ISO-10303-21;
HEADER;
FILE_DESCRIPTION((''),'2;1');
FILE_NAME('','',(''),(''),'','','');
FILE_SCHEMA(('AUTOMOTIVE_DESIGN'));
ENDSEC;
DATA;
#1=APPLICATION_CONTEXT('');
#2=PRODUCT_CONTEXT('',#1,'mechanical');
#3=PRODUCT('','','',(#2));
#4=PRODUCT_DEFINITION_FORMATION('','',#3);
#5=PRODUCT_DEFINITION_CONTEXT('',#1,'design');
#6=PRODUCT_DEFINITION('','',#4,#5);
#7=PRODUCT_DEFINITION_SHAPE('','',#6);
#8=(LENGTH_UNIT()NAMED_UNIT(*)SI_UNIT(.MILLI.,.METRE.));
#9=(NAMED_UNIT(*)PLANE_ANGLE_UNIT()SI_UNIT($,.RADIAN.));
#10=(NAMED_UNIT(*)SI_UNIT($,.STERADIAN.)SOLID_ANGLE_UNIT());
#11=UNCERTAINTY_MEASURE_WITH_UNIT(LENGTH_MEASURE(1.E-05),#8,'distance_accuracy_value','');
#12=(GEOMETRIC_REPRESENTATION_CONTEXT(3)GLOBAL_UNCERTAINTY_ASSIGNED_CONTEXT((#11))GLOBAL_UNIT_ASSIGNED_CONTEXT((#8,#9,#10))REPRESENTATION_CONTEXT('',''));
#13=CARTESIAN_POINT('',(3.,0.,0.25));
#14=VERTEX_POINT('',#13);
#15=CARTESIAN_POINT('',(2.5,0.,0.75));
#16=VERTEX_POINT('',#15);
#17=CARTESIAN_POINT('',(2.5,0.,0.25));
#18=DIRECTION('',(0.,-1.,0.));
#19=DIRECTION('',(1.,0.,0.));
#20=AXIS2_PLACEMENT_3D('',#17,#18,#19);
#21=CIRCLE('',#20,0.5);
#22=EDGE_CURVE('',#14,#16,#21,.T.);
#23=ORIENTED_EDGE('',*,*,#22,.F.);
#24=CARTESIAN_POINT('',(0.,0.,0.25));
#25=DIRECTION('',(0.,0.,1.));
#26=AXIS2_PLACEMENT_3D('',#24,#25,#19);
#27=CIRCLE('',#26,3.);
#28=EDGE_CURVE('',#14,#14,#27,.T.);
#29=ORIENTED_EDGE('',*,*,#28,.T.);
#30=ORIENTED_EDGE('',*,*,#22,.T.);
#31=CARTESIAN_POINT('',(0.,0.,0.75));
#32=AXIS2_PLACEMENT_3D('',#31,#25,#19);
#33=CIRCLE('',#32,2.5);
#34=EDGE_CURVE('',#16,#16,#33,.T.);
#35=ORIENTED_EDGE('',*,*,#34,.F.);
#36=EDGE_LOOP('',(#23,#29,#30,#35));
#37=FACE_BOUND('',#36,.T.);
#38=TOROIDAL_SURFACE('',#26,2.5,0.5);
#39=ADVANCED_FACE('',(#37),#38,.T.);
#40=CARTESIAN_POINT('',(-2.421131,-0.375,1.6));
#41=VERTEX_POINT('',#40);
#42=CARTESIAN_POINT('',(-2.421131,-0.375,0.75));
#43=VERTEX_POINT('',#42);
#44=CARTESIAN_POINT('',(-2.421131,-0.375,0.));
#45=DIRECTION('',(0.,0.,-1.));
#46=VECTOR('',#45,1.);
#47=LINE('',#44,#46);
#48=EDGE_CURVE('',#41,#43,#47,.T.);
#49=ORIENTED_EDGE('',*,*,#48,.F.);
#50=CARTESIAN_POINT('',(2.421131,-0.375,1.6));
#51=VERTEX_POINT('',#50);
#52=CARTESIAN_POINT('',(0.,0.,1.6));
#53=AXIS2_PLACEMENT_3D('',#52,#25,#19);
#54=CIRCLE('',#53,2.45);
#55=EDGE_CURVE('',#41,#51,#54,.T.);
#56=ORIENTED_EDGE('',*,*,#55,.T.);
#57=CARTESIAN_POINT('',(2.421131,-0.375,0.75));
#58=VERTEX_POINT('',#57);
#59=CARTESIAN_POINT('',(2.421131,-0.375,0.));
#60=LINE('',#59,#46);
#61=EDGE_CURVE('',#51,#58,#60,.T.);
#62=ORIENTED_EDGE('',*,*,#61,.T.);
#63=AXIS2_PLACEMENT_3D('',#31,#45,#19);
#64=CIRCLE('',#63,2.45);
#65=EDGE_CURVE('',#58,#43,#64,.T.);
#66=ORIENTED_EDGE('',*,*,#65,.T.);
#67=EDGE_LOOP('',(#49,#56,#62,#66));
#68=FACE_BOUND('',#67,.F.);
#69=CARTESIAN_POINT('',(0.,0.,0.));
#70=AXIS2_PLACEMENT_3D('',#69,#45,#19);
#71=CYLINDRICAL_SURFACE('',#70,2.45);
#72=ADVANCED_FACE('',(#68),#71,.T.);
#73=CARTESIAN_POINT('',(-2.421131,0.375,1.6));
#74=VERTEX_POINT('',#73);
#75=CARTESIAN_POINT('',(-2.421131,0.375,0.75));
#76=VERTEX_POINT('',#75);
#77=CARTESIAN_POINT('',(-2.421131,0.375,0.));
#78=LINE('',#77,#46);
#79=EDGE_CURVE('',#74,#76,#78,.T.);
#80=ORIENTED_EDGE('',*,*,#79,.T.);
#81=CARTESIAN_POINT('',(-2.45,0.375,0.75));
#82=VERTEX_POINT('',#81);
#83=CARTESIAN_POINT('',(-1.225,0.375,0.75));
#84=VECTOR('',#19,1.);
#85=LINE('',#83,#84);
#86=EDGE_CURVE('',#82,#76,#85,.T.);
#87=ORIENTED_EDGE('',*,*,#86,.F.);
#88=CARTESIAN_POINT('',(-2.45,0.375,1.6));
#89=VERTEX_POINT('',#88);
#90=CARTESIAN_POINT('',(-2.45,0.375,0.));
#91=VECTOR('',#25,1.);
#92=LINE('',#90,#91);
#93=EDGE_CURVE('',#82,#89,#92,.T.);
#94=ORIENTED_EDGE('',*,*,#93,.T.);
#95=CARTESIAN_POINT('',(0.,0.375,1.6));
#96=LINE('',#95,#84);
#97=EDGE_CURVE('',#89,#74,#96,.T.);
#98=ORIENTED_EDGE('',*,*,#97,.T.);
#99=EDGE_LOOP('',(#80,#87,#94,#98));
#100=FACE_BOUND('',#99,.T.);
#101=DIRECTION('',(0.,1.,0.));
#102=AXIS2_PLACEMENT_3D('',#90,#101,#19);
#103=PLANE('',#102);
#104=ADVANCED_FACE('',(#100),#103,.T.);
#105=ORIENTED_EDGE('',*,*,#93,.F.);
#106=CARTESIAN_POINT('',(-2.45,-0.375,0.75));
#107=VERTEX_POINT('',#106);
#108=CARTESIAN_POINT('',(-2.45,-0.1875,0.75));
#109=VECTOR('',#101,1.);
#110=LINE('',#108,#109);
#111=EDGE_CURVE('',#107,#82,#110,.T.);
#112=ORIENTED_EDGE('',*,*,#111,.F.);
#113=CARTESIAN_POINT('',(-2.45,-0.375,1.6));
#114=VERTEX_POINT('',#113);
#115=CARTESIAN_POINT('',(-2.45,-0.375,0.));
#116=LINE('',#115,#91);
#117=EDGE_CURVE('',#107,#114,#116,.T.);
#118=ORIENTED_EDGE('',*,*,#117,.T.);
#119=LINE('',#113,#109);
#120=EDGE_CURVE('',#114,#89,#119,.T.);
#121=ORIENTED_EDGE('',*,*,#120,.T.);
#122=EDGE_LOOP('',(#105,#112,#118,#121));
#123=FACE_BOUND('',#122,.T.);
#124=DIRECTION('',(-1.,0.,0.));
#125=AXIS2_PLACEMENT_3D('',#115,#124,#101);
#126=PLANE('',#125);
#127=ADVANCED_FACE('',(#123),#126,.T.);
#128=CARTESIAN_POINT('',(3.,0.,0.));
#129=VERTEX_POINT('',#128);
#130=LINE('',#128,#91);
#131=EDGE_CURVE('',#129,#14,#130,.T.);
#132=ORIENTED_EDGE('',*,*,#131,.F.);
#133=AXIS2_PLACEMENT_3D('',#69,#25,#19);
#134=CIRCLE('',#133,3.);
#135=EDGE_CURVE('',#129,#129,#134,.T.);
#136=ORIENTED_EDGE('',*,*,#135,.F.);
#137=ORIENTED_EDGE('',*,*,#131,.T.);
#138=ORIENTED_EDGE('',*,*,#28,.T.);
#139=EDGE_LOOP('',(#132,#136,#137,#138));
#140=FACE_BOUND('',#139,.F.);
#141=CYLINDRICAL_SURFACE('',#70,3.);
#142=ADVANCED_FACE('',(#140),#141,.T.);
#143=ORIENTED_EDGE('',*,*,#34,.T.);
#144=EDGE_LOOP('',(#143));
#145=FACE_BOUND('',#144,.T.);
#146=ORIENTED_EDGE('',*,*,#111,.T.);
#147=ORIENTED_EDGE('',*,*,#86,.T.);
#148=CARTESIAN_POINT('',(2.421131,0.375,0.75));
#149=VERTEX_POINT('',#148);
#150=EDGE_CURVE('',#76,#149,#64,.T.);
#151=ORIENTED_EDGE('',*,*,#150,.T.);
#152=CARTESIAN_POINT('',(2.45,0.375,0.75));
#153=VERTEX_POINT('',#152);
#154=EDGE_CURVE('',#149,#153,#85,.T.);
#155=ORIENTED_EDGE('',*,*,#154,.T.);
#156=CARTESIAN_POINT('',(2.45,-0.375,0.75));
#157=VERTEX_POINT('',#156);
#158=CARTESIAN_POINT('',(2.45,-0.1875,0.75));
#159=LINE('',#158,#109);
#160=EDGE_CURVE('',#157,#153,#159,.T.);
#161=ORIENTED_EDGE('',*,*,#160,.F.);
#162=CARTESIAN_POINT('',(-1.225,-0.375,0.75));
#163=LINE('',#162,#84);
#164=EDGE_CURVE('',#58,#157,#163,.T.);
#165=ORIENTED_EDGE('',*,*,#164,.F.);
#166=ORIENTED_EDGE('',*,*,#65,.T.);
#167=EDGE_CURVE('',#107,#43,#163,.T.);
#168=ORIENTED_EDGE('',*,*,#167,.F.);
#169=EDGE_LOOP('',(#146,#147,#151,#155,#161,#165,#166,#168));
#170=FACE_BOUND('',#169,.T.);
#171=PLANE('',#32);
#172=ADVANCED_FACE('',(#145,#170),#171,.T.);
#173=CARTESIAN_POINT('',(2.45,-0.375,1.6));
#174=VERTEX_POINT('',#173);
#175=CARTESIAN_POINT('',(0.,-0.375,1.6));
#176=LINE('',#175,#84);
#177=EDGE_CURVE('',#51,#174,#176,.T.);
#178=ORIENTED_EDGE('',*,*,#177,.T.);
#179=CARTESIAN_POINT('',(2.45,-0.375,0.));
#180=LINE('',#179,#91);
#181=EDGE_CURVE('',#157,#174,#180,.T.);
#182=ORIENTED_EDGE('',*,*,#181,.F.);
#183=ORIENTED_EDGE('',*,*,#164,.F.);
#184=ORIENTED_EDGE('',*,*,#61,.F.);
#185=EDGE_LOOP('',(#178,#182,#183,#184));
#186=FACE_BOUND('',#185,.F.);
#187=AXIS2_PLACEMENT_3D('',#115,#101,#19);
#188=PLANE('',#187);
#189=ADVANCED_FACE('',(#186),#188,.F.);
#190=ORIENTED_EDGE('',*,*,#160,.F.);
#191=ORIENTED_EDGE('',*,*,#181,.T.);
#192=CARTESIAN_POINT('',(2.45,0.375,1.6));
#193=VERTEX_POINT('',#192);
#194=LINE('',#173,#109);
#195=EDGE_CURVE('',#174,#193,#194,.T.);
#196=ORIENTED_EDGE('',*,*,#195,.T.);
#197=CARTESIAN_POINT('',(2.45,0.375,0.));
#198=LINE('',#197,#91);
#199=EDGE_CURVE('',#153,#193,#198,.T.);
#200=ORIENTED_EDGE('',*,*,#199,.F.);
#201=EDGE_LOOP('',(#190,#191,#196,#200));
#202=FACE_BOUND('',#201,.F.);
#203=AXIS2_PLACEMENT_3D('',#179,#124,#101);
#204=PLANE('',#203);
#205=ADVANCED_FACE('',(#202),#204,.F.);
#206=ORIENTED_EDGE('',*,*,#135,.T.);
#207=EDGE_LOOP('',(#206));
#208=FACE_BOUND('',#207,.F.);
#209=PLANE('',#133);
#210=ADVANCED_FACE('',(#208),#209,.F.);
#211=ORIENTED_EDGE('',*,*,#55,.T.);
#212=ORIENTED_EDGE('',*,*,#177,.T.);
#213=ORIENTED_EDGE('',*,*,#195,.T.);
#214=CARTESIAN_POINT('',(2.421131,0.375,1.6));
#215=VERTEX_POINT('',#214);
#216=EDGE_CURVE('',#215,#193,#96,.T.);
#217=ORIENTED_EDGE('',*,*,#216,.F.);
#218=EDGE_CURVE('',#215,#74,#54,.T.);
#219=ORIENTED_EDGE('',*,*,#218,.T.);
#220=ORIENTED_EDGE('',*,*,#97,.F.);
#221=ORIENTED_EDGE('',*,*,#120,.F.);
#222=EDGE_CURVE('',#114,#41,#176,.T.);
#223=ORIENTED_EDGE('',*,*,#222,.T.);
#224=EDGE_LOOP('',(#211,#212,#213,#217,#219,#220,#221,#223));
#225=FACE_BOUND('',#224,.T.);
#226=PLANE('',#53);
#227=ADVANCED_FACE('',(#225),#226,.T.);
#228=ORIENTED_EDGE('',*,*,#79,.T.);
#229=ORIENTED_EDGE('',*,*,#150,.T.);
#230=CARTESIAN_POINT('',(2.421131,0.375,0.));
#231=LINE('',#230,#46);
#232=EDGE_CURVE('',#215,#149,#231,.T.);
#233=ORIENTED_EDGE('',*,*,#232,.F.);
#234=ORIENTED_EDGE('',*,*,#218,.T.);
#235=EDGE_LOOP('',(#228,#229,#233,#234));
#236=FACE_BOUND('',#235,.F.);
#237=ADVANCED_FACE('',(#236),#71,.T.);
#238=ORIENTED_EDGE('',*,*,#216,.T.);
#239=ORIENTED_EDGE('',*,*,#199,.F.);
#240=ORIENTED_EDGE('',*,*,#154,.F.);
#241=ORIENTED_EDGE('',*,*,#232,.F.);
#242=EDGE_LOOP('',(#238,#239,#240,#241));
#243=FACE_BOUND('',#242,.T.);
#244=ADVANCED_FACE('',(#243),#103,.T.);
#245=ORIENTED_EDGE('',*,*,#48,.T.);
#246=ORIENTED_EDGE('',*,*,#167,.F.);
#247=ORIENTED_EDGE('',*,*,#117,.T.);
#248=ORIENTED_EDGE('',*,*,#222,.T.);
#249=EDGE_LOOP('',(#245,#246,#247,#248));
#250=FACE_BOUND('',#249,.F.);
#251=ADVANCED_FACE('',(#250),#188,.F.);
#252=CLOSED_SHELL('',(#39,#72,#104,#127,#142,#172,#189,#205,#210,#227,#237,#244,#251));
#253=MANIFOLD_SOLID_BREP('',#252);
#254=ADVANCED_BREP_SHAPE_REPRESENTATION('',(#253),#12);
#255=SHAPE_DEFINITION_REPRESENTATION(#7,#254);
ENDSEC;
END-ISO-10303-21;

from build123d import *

# Parameters (mm, degrees)
SKETCH_R     = 2.45
PAD_DEPTH    = 1.6
SKETCH001_W  = 4.9
SKETCH001_H  = 0.75
PAD001_DEPTH = 1.6
SKETCH002_R  = 3
PAD002_DEPTH = 0.75
FILLET_R     = 0.5


with BuildPart() as part:
    # Sketch → Pad (new body)
    with BuildSketch(Plane.XY):
        Circle(SKETCH_R)
    extrude(amount=PAD_DEPTH)

    # Sketch001 → Pad001 (join)
    with BuildSketch(Plane.XY):
        Rectangle(SKETCH001_W, SKETCH001_H)
    extrude(amount=PAD001_DEPTH)

    # Sketch002 → Pad002 (join)
    with BuildSketch(Plane.XY):
        Circle(SKETCH002_R)
    extrude(amount=PAD002_DEPTH)

    # Fillet
    fillet_edges = [part.edges().sort_by_distance(p)[0] for p in [
        (-3, 0, 0.75),
    ]]
    fillet(fillet_edges, radius=FILLET_R)


solid = part.part
